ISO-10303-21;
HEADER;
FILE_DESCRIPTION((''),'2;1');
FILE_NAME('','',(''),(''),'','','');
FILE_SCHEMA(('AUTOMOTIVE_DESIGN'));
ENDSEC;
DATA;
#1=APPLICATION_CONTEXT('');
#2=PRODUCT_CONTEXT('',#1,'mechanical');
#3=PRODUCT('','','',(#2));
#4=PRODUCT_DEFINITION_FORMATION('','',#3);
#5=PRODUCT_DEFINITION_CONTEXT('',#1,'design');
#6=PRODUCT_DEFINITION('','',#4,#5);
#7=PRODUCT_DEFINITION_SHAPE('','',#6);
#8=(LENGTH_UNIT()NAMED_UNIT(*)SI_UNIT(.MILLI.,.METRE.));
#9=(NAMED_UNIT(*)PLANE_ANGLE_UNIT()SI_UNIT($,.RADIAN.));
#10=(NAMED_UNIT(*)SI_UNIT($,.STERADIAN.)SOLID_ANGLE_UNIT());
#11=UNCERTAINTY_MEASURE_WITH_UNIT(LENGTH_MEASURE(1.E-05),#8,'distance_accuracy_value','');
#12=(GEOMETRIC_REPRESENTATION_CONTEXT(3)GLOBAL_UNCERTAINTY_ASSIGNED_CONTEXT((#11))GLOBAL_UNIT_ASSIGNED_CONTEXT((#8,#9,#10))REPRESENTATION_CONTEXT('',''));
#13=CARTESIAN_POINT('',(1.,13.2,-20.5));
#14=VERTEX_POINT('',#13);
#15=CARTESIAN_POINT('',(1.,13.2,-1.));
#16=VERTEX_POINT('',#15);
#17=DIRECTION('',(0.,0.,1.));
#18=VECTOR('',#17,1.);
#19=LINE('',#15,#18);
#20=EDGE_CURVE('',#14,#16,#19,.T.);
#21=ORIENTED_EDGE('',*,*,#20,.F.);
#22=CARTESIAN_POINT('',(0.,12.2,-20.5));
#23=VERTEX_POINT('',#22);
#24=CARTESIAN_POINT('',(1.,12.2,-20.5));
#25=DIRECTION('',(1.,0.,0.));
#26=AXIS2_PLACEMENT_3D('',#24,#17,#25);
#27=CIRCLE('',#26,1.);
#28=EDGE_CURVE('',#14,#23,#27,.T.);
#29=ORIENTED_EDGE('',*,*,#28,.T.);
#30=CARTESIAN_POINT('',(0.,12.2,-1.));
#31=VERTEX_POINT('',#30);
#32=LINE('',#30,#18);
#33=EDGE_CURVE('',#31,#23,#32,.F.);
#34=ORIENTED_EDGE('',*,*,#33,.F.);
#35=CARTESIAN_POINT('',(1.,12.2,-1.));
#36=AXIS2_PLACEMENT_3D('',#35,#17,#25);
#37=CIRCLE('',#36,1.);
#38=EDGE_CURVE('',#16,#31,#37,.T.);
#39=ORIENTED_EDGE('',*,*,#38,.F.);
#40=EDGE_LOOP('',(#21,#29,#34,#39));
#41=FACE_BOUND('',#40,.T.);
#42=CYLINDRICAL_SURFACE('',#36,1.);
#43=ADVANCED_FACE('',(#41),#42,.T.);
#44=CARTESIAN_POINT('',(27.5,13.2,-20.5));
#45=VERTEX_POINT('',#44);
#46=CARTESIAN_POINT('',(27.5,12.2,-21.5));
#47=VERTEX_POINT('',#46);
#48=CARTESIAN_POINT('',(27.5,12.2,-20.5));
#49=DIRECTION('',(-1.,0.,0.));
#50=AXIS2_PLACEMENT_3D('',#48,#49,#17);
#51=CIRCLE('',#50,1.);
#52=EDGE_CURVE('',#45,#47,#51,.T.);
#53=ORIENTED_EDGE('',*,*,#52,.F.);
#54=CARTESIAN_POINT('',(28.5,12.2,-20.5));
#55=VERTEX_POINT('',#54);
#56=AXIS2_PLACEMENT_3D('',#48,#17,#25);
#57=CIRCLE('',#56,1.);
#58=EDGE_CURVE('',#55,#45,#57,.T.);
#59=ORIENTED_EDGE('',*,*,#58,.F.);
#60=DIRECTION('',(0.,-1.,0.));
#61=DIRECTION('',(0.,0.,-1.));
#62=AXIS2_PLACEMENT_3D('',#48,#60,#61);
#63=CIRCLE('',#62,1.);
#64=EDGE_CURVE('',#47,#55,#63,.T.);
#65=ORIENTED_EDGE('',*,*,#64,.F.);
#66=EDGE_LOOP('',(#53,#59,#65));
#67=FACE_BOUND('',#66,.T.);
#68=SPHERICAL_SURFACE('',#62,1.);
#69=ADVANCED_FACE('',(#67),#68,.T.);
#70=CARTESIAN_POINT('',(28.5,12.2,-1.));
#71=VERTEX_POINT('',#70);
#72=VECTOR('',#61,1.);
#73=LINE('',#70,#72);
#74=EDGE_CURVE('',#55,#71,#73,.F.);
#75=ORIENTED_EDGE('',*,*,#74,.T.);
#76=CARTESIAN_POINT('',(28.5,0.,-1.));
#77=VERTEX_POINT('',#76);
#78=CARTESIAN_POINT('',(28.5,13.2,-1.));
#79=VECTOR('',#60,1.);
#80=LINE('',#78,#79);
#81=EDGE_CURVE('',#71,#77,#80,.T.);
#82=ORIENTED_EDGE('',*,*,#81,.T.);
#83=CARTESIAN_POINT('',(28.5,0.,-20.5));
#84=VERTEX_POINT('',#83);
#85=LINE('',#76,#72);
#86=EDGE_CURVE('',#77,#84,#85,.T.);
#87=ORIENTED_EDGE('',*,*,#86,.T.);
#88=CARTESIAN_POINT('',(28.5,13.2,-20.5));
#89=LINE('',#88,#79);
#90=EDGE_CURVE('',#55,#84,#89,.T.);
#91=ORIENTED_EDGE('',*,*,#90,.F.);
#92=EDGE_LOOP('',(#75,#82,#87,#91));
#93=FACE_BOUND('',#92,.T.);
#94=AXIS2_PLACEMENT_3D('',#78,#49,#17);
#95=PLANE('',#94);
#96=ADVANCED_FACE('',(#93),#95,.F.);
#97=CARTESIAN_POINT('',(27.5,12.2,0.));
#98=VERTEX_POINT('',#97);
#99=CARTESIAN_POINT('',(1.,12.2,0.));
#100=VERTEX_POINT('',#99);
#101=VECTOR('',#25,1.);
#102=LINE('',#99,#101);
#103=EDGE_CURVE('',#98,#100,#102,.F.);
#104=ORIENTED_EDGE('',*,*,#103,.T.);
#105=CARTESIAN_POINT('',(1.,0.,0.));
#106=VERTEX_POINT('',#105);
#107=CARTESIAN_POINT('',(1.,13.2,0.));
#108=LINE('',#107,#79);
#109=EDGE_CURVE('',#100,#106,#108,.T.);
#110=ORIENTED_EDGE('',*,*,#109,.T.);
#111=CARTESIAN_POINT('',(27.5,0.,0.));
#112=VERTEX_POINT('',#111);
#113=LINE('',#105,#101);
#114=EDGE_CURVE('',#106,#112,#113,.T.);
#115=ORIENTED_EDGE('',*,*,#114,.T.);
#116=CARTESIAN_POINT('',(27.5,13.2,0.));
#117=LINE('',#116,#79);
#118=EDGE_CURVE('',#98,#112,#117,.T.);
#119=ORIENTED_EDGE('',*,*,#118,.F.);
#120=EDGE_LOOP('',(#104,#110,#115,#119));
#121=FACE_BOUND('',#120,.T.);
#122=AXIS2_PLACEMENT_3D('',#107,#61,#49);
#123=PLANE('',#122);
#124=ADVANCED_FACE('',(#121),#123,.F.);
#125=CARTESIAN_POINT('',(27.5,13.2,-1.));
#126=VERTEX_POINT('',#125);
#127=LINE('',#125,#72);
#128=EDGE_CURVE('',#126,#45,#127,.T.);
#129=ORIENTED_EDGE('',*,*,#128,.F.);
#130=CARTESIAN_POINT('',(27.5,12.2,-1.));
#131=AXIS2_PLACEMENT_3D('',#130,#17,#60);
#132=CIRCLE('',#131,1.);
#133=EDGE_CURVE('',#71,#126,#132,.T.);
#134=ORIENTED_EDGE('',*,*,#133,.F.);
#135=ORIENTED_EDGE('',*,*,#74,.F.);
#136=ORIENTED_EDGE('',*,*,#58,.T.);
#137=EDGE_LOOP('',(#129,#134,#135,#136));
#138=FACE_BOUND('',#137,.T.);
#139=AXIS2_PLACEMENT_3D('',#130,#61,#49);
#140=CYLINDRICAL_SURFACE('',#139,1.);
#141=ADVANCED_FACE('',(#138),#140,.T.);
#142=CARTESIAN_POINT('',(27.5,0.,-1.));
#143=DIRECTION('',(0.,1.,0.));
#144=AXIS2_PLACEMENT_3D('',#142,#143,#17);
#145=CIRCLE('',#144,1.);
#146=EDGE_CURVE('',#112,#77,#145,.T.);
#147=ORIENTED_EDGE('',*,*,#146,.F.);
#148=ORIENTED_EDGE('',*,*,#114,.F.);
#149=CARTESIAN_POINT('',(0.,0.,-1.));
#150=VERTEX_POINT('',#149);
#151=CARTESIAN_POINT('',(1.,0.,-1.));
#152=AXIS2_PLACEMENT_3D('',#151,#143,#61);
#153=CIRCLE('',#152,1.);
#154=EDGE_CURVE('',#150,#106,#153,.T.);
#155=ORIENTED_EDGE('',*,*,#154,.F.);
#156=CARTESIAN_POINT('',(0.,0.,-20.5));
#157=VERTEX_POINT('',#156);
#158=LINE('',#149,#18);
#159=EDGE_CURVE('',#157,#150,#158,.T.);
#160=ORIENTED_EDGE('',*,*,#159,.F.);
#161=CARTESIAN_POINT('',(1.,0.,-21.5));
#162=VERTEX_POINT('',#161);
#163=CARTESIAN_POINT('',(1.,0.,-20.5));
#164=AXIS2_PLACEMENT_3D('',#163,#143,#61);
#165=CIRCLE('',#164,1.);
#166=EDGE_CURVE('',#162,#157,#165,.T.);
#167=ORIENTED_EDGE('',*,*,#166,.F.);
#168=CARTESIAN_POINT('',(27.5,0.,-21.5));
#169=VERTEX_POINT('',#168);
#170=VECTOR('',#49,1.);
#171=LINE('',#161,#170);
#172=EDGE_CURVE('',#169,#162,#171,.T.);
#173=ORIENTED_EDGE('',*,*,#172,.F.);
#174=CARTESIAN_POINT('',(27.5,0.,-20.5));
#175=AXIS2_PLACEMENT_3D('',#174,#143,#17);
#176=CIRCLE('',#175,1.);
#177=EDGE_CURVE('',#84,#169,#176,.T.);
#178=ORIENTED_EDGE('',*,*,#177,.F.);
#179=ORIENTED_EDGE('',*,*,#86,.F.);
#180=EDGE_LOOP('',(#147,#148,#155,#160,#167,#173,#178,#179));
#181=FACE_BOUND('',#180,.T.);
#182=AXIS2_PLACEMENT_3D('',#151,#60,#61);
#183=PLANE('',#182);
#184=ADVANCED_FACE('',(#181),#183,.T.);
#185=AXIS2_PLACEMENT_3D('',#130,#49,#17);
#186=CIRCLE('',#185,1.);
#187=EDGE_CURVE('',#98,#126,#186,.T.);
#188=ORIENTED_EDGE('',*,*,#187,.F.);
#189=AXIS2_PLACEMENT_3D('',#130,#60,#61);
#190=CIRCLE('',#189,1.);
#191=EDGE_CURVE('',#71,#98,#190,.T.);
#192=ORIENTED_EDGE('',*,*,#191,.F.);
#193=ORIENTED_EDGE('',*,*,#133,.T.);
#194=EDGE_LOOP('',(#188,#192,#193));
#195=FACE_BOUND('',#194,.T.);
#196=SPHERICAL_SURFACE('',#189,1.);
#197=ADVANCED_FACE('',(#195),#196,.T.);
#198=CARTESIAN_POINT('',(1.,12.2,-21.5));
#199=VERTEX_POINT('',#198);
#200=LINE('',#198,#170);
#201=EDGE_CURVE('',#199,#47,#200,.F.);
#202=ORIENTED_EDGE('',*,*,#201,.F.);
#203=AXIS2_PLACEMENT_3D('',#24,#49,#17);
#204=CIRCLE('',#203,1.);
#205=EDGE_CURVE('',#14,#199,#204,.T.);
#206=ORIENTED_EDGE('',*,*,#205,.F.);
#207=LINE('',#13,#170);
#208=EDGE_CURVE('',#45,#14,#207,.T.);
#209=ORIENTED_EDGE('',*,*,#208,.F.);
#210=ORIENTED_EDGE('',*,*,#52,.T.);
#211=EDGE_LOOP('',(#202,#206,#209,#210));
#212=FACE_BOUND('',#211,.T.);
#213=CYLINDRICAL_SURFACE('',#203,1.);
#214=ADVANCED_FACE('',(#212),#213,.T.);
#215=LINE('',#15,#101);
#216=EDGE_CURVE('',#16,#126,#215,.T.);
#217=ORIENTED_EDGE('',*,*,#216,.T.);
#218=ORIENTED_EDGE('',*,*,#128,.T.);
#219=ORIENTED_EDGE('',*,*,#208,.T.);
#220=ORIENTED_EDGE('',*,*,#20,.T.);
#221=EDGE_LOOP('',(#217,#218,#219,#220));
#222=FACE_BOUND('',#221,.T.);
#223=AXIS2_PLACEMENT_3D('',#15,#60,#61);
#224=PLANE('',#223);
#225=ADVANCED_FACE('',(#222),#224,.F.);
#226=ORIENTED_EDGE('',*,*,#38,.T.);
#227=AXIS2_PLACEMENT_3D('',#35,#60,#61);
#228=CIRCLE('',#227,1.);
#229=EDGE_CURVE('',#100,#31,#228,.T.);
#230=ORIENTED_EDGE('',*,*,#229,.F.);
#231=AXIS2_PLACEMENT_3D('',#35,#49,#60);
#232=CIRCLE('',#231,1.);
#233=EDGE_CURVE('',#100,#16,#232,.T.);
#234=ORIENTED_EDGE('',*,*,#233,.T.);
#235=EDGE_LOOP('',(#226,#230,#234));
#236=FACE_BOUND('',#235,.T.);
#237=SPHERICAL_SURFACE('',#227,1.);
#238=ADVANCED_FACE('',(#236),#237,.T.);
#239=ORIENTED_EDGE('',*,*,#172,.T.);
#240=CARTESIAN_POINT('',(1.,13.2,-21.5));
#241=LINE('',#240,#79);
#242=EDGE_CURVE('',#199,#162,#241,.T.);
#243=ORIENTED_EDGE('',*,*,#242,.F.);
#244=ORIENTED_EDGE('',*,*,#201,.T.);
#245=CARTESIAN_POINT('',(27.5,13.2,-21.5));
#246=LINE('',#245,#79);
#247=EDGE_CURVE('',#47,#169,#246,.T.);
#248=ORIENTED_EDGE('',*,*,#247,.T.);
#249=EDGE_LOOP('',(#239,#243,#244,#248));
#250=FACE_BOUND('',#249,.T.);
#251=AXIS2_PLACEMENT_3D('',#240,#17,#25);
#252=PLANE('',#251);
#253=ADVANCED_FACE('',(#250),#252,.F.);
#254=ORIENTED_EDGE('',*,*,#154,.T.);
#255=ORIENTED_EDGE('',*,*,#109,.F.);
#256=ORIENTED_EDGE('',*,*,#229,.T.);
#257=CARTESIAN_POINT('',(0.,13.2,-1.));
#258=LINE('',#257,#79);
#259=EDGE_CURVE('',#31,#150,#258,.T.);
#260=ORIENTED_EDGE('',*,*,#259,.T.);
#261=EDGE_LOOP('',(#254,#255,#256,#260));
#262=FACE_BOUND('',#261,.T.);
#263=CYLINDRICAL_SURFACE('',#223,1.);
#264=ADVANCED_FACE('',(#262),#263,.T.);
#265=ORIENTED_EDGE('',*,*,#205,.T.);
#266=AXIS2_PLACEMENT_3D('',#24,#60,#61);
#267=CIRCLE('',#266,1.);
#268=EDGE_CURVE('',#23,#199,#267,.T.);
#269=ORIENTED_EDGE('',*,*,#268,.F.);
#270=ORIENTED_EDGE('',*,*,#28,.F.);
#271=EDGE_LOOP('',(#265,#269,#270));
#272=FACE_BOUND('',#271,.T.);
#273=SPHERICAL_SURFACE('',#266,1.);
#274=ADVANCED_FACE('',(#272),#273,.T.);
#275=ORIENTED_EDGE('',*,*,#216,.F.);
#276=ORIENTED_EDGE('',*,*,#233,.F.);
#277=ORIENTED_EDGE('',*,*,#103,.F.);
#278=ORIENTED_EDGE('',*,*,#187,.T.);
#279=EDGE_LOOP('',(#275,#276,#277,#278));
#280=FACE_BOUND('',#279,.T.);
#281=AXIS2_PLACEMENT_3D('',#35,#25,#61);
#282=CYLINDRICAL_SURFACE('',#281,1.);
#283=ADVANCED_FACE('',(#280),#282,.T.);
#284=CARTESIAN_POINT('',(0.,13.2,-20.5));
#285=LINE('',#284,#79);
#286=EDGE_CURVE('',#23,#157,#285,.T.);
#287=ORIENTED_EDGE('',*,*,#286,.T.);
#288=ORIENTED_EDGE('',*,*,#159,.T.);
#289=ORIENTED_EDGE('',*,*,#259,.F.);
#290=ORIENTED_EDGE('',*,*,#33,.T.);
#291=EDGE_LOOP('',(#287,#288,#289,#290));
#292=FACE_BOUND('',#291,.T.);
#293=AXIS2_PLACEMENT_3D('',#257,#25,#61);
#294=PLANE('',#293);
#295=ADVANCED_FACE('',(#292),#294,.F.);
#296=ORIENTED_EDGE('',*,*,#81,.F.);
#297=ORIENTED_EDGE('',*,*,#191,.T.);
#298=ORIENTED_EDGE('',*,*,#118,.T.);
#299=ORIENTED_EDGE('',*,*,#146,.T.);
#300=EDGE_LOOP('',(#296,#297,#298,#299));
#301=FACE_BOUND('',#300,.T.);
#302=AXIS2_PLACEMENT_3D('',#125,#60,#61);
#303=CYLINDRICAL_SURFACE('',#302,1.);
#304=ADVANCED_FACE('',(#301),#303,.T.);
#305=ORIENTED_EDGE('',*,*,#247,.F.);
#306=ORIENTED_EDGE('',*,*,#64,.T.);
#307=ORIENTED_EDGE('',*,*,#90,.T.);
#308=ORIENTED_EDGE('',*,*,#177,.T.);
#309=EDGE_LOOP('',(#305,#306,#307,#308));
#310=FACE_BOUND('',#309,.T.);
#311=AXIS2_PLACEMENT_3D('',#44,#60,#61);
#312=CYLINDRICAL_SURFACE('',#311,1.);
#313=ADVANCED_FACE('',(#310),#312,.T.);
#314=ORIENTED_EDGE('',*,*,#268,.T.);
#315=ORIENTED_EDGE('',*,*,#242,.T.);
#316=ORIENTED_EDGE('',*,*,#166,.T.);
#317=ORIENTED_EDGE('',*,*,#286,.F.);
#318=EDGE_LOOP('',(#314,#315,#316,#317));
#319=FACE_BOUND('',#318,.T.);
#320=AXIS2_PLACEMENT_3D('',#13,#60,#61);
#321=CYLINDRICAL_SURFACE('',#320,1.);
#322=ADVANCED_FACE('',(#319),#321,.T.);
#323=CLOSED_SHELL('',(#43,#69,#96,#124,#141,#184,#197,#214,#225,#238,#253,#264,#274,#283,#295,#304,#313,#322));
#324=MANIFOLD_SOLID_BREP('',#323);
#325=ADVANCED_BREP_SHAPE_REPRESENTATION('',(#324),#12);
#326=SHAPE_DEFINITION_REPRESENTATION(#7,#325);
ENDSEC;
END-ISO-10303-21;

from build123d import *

# Parameters (mm, degrees)
EXTRUDE_1_DEPTH = 13.2
FILLET_1_R      = 1


with BuildPart() as part:
    # 草图1 → 凸台-拉伸1 (new body)
    with BuildSketch(Plane(origin=(0, 0, 0), x_dir=(1, 0, 0), z_dir=(0, 1, 0))):
        with BuildLine():
            Line((1, 0), (27.5, 0))
            ThreePointArc((27.5, 0), (28.207106781, 0.292893219), (28.5, 1))
            Line((28.5, 1), (28.5, 20.5))
            ThreePointArc((28.5, 20.5), (28.207106781, 21.207106781), (27.5, 21.5))
            Line((27.5, 21.5), (1, 21.5))
            ThreePointArc((1, 21.5), (0.292893219, 21.207106781), (0, 20.5))
            Line((0, 20.5), (0, 1))
            ThreePointArc((0, 1), (0.292893219, 0.292893219), (1, 0))
        make_face()
    extrude(amount=EXTRUDE_1_DEPTH)

    # 圆角1
    fillet_1_edges = [part.edges().sort_by_distance(p)[0] for p in [
        (28.207106781, 13.2, -0.292893219),
        (28.5, 13.2, -10.75),
        (28.207106781, 13.2, -21.207106781),
        (14.25, 13.2, -21.5),
        (0.292893219, 13.2, -21.207106781),
        (0, 13.2, -10.75),
        (0.292893219, 13.2, -0.292893219),
        (14.25, 13.2, 0),
    ]]
    fillet(fillet_1_edges, radius=FILLET_1_R)


solid = part.part
